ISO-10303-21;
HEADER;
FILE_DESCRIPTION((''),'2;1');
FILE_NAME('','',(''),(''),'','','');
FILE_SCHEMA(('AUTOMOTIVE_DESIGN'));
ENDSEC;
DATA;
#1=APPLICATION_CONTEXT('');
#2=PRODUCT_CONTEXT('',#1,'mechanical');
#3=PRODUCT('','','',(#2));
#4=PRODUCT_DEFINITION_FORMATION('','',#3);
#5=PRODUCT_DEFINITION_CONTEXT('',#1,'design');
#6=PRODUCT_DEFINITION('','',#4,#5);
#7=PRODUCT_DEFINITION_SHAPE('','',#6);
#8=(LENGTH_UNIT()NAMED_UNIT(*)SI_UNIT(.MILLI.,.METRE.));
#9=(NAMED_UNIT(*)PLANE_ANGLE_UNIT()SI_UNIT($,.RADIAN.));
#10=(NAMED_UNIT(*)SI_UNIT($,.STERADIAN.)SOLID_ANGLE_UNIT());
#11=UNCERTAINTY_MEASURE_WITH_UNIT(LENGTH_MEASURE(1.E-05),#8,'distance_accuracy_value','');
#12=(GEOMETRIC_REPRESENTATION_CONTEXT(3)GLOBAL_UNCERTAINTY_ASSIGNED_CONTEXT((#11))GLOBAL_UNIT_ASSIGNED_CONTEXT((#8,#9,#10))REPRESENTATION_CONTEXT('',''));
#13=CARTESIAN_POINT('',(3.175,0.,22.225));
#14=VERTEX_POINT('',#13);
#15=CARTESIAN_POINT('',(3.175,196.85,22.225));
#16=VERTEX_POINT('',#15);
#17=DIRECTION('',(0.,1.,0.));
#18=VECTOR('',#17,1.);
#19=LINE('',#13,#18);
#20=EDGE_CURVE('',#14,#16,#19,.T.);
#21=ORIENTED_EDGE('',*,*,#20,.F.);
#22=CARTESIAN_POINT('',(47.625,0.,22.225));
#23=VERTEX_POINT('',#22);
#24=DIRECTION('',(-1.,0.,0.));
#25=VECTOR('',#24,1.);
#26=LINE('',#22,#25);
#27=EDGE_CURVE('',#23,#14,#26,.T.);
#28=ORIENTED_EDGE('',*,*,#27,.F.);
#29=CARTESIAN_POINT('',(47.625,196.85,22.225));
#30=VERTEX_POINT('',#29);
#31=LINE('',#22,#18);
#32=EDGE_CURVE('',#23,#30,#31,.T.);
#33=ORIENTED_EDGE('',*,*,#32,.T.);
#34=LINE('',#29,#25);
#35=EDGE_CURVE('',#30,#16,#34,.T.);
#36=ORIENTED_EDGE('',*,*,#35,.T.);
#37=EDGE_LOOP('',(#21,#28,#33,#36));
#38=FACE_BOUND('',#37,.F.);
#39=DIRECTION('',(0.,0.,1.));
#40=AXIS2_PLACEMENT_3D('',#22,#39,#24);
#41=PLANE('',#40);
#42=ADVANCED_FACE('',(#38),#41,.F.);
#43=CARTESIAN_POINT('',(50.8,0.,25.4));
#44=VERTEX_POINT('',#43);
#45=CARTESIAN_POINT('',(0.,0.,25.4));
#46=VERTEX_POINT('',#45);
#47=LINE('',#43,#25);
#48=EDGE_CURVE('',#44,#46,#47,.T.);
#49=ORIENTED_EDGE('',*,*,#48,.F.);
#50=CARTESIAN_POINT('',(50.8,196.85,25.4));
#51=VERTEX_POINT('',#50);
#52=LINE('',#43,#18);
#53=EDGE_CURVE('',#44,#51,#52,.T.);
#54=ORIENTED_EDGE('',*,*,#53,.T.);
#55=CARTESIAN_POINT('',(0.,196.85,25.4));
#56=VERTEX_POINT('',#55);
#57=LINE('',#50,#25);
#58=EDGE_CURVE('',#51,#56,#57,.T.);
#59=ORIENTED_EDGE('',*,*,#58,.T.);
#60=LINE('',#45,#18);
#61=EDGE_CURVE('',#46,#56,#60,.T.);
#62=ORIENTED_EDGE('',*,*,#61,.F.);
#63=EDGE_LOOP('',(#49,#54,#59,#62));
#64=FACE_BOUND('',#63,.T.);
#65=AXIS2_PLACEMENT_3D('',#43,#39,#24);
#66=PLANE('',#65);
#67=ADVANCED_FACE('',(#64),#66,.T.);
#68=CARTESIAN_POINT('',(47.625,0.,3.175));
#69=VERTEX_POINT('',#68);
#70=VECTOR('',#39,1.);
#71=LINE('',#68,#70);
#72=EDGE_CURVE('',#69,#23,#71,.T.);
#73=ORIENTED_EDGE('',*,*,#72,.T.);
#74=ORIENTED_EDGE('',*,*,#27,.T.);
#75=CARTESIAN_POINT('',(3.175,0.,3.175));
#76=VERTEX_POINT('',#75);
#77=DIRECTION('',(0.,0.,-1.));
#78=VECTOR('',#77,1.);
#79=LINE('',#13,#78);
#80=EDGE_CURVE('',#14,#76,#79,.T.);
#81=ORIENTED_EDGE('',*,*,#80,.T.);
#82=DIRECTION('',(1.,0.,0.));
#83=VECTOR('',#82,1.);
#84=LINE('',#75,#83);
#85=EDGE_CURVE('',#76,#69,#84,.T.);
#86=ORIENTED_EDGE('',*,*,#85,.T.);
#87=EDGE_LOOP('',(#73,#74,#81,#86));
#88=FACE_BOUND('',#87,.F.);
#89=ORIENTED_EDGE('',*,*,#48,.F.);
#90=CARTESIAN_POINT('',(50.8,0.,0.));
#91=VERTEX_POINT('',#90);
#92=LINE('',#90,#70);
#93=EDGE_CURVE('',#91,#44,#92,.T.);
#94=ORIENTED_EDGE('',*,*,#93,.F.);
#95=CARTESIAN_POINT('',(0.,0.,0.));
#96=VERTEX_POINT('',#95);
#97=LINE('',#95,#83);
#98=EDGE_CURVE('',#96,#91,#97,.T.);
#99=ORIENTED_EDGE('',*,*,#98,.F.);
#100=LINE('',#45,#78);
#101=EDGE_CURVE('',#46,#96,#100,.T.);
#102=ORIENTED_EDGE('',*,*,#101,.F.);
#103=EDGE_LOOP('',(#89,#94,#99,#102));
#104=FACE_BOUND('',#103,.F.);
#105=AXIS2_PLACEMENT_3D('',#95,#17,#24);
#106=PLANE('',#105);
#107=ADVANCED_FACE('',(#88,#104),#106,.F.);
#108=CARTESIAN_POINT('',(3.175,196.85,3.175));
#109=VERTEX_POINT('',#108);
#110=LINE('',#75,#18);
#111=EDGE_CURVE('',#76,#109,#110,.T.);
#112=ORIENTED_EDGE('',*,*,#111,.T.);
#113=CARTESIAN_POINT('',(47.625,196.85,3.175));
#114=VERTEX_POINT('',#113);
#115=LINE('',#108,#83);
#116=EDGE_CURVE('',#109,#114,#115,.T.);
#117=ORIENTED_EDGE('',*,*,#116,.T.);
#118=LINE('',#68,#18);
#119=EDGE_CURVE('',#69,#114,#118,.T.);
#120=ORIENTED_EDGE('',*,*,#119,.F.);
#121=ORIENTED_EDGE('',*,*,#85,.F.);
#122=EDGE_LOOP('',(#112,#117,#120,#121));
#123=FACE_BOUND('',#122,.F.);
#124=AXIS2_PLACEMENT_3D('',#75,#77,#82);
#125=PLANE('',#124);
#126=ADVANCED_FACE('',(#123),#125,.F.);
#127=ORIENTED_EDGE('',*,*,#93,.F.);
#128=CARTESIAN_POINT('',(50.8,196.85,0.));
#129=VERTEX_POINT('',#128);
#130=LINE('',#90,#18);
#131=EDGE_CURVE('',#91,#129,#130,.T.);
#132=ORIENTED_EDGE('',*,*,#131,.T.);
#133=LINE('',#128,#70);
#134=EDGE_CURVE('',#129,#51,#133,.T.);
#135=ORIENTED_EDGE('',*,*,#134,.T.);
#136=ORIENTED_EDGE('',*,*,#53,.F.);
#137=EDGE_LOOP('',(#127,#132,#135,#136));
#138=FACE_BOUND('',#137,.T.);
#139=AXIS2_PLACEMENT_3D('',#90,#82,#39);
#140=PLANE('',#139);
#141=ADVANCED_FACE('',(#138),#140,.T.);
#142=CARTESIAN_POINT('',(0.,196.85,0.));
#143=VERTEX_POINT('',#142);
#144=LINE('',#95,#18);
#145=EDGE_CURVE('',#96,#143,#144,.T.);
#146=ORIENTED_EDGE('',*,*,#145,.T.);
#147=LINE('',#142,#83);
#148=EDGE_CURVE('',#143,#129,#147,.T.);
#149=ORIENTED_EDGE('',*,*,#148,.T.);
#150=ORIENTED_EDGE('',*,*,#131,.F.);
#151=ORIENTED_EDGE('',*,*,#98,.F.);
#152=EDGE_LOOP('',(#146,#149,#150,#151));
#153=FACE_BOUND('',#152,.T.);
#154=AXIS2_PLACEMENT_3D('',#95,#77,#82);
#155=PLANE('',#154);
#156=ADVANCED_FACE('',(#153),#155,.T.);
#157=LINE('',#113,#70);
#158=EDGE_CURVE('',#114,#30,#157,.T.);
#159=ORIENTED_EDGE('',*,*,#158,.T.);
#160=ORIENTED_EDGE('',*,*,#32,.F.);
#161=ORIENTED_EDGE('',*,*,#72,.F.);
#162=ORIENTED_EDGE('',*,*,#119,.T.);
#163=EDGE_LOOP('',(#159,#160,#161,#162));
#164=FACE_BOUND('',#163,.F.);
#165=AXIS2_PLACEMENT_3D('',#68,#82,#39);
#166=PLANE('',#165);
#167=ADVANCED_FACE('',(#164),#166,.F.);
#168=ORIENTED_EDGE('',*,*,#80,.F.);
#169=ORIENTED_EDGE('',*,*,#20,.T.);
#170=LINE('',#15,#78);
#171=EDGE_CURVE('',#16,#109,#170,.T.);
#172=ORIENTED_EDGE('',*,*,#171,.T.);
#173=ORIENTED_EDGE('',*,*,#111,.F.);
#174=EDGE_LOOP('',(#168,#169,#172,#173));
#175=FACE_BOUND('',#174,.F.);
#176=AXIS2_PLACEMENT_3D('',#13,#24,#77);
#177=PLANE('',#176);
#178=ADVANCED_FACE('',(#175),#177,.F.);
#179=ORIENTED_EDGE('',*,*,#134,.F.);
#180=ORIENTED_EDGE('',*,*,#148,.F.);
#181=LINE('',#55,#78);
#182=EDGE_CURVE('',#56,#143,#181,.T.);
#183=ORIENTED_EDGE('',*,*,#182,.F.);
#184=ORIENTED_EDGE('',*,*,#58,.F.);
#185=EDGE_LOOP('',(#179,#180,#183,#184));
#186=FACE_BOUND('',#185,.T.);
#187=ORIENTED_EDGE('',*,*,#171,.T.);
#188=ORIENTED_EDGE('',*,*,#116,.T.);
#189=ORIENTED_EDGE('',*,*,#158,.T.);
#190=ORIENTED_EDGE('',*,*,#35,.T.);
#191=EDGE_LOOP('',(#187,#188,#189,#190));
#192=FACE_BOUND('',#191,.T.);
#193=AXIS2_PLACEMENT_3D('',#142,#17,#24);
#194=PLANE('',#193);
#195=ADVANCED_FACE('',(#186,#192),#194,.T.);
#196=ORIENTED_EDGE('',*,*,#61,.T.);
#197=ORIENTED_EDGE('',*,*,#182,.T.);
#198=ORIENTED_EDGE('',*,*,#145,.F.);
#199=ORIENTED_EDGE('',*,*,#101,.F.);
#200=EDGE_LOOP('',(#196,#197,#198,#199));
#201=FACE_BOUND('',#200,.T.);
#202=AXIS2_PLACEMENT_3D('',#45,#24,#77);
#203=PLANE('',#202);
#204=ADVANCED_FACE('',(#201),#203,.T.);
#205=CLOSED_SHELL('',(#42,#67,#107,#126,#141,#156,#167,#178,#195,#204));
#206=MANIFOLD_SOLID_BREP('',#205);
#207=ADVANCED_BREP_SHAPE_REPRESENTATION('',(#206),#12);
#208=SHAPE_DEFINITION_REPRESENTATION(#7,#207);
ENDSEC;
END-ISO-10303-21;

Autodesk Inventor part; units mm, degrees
ref_plane "YZ Plane" through (0, 0, 0) normal (1, 0, 0) x (0, 1, 0)
ref_plane "XZ Plane" through (0, 0, 0) normal (0, 1, 0) x (-1, 0, 0)
ref_plane "XY Plane" through (0, 0, 0) normal (0, 0, 1) x (1, 0, 0)
sketch "Sketch1" plane through (0, 0, 0) normal (0, 1, 0) x (-1, 0, 0)
  line L0 (0, 0) -> (-50.8, 0)
  line L1 (-50.8, 0) -> (-50.8, 25.4)
  line L2 (-50.8, 25.4) -> (0, 25.4)
  line L3 (0, 25.4) -> (0, 0)
  line L4 (-47.625, 22.225) -> (-3.175, 22.225)
  line L5 (-3.175, 22.225) -> (-3.175, 3.175)
  line L6 (-3.175, 3.175) -> (-47.625, 3.175)
  line L7 (-47.625, 3.175) -> (-47.625, 22.225)
  dimension "d0" = 50.8
  dimension "d1" = 25.4
  dimension "d2" = 44.45
  dimension "d3" = 19.05
  dimension "d4" = 3.175
  dimension "d5" = 3.175
extrude "Extrusion1" add sketch "Sketch1" along normal blind 196.85
properties part number "1x2x6"
